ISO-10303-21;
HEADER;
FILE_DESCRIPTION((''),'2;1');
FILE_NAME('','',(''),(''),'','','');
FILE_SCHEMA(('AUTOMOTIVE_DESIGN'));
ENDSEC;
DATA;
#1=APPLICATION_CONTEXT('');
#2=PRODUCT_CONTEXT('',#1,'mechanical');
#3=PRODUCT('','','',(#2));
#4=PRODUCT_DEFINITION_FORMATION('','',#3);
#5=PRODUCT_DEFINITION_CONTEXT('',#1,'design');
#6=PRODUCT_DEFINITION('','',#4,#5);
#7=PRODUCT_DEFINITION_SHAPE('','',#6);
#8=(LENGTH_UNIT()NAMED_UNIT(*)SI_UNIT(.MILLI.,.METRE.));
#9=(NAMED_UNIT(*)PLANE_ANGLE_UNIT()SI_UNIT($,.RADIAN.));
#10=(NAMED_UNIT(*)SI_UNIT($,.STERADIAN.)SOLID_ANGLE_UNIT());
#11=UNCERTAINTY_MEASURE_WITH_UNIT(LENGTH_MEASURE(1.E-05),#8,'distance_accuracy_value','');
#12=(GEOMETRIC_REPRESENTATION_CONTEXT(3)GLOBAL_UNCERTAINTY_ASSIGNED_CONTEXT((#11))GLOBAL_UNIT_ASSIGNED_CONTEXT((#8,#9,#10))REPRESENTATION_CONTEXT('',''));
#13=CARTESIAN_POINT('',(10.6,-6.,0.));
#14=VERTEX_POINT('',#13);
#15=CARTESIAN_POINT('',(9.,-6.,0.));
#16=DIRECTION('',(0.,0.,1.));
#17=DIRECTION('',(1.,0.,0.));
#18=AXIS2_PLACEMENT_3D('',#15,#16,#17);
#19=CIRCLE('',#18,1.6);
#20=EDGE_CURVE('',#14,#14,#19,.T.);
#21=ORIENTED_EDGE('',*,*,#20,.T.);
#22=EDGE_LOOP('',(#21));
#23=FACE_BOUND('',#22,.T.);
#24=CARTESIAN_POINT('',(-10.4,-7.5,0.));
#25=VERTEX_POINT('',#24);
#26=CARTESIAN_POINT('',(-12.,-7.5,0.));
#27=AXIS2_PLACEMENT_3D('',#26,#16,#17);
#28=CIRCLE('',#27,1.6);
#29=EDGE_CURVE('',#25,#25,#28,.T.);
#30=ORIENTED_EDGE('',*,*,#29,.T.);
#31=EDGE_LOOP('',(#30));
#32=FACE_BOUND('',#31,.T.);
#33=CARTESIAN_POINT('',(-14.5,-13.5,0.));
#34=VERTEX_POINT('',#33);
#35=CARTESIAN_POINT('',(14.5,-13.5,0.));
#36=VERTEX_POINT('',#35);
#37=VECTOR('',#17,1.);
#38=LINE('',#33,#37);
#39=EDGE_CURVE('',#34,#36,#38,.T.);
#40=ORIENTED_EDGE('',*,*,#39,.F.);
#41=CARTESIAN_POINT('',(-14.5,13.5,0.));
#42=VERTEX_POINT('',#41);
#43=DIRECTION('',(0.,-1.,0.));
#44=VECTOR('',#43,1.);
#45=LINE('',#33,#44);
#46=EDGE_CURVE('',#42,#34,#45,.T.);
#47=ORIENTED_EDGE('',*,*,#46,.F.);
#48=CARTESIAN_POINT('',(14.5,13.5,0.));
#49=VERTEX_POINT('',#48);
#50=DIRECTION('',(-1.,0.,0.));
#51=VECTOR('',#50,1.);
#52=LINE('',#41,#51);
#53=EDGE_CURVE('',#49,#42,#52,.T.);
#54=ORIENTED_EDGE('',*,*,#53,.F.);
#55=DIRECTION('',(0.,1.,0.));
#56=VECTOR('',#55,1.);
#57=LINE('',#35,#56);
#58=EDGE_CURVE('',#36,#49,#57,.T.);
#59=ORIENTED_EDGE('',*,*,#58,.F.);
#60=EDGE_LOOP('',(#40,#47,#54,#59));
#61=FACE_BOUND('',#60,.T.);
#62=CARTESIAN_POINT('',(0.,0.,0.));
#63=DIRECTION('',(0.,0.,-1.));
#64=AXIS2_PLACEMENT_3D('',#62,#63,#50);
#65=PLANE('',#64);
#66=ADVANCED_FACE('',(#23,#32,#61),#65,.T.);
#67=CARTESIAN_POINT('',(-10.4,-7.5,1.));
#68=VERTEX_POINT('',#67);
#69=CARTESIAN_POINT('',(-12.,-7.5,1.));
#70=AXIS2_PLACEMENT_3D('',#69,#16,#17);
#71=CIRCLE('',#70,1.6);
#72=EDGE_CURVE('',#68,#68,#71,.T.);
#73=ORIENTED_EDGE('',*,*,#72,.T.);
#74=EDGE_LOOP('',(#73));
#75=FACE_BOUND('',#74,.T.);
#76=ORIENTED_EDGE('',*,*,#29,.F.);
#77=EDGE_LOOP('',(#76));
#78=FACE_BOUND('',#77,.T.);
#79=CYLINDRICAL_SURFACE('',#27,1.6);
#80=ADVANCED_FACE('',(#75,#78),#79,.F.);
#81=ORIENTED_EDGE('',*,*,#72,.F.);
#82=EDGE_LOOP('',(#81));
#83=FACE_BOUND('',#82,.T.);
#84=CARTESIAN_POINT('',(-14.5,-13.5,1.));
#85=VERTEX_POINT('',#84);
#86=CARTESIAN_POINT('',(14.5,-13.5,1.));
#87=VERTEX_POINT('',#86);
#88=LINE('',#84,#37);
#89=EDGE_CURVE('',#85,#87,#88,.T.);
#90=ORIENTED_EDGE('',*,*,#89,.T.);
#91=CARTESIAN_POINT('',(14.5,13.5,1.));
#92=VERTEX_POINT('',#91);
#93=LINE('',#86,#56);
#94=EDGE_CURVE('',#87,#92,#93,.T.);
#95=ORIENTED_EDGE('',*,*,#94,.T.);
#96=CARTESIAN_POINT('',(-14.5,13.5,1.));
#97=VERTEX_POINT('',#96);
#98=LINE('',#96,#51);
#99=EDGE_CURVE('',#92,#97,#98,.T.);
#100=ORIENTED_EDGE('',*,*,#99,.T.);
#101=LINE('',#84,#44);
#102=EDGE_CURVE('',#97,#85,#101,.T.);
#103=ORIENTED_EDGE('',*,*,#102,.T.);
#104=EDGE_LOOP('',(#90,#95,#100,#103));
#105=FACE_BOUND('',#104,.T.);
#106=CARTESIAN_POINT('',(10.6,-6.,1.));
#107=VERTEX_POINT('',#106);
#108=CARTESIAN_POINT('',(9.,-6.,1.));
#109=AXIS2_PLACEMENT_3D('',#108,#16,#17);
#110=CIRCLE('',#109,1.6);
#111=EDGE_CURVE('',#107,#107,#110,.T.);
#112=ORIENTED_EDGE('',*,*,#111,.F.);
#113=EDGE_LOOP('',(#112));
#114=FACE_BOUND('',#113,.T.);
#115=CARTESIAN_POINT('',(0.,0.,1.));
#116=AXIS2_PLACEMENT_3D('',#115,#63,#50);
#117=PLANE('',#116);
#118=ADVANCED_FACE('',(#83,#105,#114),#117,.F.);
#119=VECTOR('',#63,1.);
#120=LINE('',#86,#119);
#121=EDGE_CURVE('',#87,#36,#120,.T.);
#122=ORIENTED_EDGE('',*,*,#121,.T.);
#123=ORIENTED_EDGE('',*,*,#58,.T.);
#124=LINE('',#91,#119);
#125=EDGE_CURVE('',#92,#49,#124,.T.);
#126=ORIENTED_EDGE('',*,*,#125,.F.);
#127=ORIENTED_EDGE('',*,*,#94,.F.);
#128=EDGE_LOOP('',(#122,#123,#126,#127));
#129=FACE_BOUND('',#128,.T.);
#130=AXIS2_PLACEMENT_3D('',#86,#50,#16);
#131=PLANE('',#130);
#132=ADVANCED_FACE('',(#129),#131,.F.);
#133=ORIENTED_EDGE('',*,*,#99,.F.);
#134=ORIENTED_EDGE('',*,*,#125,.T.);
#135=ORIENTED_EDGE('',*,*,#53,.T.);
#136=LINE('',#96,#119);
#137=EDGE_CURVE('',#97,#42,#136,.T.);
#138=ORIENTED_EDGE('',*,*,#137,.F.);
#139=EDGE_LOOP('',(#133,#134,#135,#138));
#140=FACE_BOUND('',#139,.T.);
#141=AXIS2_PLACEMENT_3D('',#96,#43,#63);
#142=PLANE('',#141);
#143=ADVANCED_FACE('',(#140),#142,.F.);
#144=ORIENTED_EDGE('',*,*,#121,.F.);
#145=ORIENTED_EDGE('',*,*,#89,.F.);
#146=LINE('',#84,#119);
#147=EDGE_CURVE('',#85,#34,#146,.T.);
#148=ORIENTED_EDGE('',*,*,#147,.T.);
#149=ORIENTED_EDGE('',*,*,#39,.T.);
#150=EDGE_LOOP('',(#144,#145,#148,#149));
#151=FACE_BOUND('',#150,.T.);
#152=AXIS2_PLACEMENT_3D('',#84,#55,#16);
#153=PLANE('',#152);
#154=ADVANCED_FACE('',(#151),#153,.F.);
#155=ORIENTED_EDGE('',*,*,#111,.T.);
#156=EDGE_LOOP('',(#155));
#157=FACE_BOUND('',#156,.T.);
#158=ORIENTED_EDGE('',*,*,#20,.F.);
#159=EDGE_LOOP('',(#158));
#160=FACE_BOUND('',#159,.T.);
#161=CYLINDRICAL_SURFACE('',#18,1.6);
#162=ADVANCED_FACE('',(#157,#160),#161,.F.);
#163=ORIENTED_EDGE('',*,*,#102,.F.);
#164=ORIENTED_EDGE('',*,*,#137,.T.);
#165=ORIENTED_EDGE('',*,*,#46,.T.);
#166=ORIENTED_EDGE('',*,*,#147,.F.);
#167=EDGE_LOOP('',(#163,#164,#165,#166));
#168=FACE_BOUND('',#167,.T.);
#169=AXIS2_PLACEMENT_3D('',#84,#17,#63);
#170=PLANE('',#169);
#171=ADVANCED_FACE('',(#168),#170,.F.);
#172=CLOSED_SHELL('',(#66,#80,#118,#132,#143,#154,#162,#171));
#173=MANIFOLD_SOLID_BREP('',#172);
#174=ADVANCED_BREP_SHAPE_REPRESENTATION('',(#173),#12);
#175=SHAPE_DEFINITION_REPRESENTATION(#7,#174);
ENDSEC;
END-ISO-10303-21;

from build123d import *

# Parameters (mm, degrees)
SKETCH1_W           = 29
SKETCH1_H           = 27
BOSS_EXTRUDE1_DEPTH = 1
SKETCH2_R           = 1.6
CUT_EXTRUDE1_DEPTH  = 20.836834425


with BuildPart() as part:
    # Sketch1 → Boss-Extrude1 (new body)
    with BuildSketch(Plane.XY):
        Rectangle(SKETCH1_W, SKETCH1_H)
    extrude(amount=BOSS_EXTRUDE1_DEPTH)

    # Sketch2 → Cut-Extrude1 (cut, through all)
    with BuildSketch(Plane.XY.offset(1)):
        with Locations((9, -6)):
            Circle(SKETCH2_R)
        with Locations((-12, -7.5)):
            Circle(SKETCH2_R)
    extrude(amount=-CUT_EXTRUDE1_DEPTH, mode=Mode.SUBTRACT)


solid = part.part
